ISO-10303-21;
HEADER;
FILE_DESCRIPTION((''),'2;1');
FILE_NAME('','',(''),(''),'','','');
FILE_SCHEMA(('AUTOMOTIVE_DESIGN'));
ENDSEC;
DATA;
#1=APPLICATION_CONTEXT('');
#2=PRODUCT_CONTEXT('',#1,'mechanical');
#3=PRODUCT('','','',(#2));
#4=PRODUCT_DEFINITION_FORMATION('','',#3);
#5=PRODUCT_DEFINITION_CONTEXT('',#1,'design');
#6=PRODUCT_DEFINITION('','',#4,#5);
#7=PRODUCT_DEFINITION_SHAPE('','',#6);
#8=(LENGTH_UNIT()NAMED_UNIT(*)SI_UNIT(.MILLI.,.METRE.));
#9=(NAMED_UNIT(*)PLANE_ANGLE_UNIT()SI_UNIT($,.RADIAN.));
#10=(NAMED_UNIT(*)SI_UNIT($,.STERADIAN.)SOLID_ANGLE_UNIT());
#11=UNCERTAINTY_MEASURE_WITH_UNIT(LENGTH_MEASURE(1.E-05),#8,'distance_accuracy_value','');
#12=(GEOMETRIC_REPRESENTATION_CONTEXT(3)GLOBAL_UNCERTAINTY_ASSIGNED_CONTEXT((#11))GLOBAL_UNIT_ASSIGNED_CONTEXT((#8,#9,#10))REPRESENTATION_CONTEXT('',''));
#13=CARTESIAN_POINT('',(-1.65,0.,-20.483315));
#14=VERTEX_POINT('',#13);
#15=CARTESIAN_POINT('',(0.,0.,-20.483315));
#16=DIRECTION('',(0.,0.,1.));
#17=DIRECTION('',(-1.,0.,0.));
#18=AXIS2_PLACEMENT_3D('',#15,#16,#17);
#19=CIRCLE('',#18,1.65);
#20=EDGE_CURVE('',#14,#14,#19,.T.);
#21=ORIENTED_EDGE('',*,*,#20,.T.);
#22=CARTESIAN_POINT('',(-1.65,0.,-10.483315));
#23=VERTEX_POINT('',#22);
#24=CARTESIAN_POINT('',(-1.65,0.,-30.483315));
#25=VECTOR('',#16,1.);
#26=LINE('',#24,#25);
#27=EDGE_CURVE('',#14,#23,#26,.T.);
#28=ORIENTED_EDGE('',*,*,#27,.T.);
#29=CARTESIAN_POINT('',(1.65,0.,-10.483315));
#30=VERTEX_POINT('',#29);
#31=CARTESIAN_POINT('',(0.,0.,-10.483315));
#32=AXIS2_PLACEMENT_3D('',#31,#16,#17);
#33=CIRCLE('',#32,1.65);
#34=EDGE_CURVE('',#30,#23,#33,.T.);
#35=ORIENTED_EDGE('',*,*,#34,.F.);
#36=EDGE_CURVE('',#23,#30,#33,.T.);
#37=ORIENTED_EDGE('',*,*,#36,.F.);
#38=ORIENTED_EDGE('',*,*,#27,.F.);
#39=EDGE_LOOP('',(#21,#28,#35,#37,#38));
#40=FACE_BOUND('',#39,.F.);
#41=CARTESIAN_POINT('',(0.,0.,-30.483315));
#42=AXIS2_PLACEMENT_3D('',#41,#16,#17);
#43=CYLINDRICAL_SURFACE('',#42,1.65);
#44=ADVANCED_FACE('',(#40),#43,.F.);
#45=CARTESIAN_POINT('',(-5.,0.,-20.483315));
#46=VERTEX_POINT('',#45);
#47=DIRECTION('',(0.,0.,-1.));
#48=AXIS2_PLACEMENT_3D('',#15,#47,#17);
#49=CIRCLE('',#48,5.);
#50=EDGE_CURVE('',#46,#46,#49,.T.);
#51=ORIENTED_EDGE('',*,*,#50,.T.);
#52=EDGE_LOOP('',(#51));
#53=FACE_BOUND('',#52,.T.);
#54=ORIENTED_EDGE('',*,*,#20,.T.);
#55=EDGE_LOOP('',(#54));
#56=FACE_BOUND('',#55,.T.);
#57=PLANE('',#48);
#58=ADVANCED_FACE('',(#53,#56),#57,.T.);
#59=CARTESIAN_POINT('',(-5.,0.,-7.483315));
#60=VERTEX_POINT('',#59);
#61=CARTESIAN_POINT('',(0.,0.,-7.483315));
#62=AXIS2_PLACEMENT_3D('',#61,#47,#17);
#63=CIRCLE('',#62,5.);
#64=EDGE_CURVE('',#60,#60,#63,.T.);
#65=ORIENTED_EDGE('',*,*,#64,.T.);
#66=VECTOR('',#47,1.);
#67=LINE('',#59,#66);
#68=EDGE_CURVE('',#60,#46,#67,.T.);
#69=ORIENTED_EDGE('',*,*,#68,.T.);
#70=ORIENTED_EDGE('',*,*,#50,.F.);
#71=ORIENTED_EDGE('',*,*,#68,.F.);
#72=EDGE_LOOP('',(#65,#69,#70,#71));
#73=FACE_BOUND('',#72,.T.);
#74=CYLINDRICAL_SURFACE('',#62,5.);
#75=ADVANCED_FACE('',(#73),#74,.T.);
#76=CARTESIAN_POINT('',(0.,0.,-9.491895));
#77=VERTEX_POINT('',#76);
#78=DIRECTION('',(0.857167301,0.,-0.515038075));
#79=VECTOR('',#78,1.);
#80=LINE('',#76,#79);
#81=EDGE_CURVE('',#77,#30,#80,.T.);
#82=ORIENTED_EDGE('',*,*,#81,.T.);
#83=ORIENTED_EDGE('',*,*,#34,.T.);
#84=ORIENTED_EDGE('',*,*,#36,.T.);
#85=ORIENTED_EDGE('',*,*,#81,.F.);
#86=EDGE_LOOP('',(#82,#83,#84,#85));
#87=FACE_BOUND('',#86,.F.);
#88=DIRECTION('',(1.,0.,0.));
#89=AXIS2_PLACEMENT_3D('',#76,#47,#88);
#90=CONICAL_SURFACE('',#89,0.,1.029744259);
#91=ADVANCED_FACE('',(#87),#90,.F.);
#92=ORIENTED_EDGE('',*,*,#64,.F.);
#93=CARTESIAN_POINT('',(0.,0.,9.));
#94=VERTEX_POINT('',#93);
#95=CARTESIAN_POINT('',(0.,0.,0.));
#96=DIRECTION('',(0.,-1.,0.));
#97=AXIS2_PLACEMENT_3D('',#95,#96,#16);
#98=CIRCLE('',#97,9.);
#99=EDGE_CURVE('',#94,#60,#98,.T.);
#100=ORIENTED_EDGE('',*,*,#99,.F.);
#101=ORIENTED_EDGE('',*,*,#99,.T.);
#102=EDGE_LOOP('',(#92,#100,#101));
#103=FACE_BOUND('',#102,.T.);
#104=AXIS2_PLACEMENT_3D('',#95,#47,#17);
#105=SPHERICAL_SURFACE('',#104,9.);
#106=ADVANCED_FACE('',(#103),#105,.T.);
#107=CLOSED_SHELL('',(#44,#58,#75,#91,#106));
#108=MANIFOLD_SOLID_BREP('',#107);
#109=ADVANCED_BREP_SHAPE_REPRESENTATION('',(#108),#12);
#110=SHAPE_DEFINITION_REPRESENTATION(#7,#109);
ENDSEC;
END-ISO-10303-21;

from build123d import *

# Parameters (mm, degrees)
F3_D     = 3.3
F3_DEPTH = 10
F3_TIP   = 0.9914200214


with BuildPart() as f1:
    # F0 (on Front) → F1 (revolve)
    with BuildSketch(Plane.XZ):
        with BuildLine():
            Line((0, 0), (0, 9))
            ThreePointArc((0, 9), (-8.6124860802, 2.6124860802), (-5, -7.4833147735))
            ThreePointArc((-5, -7.4833147735), (-2.6124860802, -8.6124860802), (0, -9))
            Line((0, -9), (0, 0))
        make_face()
        with BuildLine():
            ThreePointArc((0, -9), (-2.6124860802, -8.6124860802), (-5, -7.4833147735))
            Line((-5, -7.4833147735), (-5, -20.4833147735))
            Line((-5, -20.4833147735), (0, -20.4833147735))
            Line((0, -20.4833147735), (0, -9))
        make_face()
    revolve(axis=Axis((0, 0, -10.2416573868), (0, 0, -1)))

    # F3
    with Locations(Plane(origin=(0, 0, -20.4833147735), x_dir=(1, 0, 0), z_dir=(0, 0, -1))):
        with Locations((0, 0)):
            Hole(F3_D / 2, depth=F3_DEPTH)
            with Locations((0, 0, -(F3_DEPTH + F3_TIP / 2))):  # 118° drill point
                Cone(0, F3_D / 2, F3_TIP, mode=Mode.SUBTRACT)


solid = f1.part
